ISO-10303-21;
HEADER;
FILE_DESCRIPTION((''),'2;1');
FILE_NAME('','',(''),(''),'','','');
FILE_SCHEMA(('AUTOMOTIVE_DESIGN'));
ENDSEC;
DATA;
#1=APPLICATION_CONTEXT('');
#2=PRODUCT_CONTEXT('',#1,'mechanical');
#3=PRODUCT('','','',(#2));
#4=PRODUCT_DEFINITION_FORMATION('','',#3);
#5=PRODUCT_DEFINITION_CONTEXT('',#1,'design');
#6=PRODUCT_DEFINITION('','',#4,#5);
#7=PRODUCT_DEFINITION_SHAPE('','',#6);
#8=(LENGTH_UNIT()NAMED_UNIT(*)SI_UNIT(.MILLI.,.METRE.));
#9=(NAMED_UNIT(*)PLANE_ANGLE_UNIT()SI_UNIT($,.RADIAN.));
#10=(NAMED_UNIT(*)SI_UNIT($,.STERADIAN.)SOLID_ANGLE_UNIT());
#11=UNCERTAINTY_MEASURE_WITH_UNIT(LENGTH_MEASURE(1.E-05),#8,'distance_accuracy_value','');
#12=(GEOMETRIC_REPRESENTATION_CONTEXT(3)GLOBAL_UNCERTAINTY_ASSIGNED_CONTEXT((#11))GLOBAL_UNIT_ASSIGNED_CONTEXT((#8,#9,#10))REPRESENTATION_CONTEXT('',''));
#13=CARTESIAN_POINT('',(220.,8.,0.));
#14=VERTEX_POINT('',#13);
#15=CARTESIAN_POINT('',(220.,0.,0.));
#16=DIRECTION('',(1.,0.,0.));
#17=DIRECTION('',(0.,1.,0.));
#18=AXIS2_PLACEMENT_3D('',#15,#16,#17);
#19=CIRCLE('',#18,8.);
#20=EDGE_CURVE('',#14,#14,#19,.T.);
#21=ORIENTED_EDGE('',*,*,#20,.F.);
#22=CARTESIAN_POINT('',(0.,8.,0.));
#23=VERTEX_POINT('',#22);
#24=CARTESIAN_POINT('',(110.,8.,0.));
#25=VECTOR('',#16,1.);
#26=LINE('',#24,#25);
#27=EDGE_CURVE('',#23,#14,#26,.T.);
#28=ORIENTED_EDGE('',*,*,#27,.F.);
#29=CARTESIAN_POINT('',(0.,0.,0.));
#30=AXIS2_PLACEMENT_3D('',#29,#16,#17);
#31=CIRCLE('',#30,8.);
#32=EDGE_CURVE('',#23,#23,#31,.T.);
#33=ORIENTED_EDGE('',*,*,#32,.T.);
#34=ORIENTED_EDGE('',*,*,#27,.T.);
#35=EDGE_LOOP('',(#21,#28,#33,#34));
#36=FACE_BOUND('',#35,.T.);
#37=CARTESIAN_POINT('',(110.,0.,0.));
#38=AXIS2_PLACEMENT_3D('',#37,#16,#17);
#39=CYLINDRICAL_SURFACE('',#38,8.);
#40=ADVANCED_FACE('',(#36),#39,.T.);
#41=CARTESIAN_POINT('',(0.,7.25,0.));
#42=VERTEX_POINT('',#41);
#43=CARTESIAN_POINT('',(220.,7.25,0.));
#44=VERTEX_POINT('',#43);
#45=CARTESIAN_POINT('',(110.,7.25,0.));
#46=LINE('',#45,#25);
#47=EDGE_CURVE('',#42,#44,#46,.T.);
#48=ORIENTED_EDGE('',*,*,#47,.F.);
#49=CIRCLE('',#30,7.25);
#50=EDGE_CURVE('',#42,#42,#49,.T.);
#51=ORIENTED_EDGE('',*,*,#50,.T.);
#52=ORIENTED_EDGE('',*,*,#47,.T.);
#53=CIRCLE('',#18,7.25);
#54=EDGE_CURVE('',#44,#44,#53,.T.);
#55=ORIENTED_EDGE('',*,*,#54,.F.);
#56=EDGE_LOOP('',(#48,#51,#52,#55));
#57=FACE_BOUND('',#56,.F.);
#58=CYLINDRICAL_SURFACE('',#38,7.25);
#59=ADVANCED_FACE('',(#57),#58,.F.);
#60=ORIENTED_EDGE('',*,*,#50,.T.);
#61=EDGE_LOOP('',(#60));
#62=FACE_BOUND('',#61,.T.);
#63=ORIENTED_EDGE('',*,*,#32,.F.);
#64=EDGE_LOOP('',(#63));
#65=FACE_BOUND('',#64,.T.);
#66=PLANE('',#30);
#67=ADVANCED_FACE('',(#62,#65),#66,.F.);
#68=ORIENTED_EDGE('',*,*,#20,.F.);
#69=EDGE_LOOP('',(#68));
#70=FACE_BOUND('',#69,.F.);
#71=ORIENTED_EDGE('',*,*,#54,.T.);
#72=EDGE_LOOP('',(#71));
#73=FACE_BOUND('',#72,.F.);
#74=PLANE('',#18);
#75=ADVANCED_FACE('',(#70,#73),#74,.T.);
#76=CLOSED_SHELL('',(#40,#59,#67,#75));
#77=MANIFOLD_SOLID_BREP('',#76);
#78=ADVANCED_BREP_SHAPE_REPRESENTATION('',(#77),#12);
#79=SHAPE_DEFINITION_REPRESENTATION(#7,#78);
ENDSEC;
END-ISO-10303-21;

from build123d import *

# Parameters (mm, degrees)
SKETCH1_W = 220
SKETCH1_H = 0.75


with BuildPart() as part:
    # Sketch1 → Revolve1 (revolve)
    with BuildSketch(Plane.XY):
        with Locations((110, 7.625)):
            Rectangle(SKETCH1_W, SKETCH1_H)
    revolve(axis=Axis((0, 0, 0), (1, 0, 0)))


solid = part.part
